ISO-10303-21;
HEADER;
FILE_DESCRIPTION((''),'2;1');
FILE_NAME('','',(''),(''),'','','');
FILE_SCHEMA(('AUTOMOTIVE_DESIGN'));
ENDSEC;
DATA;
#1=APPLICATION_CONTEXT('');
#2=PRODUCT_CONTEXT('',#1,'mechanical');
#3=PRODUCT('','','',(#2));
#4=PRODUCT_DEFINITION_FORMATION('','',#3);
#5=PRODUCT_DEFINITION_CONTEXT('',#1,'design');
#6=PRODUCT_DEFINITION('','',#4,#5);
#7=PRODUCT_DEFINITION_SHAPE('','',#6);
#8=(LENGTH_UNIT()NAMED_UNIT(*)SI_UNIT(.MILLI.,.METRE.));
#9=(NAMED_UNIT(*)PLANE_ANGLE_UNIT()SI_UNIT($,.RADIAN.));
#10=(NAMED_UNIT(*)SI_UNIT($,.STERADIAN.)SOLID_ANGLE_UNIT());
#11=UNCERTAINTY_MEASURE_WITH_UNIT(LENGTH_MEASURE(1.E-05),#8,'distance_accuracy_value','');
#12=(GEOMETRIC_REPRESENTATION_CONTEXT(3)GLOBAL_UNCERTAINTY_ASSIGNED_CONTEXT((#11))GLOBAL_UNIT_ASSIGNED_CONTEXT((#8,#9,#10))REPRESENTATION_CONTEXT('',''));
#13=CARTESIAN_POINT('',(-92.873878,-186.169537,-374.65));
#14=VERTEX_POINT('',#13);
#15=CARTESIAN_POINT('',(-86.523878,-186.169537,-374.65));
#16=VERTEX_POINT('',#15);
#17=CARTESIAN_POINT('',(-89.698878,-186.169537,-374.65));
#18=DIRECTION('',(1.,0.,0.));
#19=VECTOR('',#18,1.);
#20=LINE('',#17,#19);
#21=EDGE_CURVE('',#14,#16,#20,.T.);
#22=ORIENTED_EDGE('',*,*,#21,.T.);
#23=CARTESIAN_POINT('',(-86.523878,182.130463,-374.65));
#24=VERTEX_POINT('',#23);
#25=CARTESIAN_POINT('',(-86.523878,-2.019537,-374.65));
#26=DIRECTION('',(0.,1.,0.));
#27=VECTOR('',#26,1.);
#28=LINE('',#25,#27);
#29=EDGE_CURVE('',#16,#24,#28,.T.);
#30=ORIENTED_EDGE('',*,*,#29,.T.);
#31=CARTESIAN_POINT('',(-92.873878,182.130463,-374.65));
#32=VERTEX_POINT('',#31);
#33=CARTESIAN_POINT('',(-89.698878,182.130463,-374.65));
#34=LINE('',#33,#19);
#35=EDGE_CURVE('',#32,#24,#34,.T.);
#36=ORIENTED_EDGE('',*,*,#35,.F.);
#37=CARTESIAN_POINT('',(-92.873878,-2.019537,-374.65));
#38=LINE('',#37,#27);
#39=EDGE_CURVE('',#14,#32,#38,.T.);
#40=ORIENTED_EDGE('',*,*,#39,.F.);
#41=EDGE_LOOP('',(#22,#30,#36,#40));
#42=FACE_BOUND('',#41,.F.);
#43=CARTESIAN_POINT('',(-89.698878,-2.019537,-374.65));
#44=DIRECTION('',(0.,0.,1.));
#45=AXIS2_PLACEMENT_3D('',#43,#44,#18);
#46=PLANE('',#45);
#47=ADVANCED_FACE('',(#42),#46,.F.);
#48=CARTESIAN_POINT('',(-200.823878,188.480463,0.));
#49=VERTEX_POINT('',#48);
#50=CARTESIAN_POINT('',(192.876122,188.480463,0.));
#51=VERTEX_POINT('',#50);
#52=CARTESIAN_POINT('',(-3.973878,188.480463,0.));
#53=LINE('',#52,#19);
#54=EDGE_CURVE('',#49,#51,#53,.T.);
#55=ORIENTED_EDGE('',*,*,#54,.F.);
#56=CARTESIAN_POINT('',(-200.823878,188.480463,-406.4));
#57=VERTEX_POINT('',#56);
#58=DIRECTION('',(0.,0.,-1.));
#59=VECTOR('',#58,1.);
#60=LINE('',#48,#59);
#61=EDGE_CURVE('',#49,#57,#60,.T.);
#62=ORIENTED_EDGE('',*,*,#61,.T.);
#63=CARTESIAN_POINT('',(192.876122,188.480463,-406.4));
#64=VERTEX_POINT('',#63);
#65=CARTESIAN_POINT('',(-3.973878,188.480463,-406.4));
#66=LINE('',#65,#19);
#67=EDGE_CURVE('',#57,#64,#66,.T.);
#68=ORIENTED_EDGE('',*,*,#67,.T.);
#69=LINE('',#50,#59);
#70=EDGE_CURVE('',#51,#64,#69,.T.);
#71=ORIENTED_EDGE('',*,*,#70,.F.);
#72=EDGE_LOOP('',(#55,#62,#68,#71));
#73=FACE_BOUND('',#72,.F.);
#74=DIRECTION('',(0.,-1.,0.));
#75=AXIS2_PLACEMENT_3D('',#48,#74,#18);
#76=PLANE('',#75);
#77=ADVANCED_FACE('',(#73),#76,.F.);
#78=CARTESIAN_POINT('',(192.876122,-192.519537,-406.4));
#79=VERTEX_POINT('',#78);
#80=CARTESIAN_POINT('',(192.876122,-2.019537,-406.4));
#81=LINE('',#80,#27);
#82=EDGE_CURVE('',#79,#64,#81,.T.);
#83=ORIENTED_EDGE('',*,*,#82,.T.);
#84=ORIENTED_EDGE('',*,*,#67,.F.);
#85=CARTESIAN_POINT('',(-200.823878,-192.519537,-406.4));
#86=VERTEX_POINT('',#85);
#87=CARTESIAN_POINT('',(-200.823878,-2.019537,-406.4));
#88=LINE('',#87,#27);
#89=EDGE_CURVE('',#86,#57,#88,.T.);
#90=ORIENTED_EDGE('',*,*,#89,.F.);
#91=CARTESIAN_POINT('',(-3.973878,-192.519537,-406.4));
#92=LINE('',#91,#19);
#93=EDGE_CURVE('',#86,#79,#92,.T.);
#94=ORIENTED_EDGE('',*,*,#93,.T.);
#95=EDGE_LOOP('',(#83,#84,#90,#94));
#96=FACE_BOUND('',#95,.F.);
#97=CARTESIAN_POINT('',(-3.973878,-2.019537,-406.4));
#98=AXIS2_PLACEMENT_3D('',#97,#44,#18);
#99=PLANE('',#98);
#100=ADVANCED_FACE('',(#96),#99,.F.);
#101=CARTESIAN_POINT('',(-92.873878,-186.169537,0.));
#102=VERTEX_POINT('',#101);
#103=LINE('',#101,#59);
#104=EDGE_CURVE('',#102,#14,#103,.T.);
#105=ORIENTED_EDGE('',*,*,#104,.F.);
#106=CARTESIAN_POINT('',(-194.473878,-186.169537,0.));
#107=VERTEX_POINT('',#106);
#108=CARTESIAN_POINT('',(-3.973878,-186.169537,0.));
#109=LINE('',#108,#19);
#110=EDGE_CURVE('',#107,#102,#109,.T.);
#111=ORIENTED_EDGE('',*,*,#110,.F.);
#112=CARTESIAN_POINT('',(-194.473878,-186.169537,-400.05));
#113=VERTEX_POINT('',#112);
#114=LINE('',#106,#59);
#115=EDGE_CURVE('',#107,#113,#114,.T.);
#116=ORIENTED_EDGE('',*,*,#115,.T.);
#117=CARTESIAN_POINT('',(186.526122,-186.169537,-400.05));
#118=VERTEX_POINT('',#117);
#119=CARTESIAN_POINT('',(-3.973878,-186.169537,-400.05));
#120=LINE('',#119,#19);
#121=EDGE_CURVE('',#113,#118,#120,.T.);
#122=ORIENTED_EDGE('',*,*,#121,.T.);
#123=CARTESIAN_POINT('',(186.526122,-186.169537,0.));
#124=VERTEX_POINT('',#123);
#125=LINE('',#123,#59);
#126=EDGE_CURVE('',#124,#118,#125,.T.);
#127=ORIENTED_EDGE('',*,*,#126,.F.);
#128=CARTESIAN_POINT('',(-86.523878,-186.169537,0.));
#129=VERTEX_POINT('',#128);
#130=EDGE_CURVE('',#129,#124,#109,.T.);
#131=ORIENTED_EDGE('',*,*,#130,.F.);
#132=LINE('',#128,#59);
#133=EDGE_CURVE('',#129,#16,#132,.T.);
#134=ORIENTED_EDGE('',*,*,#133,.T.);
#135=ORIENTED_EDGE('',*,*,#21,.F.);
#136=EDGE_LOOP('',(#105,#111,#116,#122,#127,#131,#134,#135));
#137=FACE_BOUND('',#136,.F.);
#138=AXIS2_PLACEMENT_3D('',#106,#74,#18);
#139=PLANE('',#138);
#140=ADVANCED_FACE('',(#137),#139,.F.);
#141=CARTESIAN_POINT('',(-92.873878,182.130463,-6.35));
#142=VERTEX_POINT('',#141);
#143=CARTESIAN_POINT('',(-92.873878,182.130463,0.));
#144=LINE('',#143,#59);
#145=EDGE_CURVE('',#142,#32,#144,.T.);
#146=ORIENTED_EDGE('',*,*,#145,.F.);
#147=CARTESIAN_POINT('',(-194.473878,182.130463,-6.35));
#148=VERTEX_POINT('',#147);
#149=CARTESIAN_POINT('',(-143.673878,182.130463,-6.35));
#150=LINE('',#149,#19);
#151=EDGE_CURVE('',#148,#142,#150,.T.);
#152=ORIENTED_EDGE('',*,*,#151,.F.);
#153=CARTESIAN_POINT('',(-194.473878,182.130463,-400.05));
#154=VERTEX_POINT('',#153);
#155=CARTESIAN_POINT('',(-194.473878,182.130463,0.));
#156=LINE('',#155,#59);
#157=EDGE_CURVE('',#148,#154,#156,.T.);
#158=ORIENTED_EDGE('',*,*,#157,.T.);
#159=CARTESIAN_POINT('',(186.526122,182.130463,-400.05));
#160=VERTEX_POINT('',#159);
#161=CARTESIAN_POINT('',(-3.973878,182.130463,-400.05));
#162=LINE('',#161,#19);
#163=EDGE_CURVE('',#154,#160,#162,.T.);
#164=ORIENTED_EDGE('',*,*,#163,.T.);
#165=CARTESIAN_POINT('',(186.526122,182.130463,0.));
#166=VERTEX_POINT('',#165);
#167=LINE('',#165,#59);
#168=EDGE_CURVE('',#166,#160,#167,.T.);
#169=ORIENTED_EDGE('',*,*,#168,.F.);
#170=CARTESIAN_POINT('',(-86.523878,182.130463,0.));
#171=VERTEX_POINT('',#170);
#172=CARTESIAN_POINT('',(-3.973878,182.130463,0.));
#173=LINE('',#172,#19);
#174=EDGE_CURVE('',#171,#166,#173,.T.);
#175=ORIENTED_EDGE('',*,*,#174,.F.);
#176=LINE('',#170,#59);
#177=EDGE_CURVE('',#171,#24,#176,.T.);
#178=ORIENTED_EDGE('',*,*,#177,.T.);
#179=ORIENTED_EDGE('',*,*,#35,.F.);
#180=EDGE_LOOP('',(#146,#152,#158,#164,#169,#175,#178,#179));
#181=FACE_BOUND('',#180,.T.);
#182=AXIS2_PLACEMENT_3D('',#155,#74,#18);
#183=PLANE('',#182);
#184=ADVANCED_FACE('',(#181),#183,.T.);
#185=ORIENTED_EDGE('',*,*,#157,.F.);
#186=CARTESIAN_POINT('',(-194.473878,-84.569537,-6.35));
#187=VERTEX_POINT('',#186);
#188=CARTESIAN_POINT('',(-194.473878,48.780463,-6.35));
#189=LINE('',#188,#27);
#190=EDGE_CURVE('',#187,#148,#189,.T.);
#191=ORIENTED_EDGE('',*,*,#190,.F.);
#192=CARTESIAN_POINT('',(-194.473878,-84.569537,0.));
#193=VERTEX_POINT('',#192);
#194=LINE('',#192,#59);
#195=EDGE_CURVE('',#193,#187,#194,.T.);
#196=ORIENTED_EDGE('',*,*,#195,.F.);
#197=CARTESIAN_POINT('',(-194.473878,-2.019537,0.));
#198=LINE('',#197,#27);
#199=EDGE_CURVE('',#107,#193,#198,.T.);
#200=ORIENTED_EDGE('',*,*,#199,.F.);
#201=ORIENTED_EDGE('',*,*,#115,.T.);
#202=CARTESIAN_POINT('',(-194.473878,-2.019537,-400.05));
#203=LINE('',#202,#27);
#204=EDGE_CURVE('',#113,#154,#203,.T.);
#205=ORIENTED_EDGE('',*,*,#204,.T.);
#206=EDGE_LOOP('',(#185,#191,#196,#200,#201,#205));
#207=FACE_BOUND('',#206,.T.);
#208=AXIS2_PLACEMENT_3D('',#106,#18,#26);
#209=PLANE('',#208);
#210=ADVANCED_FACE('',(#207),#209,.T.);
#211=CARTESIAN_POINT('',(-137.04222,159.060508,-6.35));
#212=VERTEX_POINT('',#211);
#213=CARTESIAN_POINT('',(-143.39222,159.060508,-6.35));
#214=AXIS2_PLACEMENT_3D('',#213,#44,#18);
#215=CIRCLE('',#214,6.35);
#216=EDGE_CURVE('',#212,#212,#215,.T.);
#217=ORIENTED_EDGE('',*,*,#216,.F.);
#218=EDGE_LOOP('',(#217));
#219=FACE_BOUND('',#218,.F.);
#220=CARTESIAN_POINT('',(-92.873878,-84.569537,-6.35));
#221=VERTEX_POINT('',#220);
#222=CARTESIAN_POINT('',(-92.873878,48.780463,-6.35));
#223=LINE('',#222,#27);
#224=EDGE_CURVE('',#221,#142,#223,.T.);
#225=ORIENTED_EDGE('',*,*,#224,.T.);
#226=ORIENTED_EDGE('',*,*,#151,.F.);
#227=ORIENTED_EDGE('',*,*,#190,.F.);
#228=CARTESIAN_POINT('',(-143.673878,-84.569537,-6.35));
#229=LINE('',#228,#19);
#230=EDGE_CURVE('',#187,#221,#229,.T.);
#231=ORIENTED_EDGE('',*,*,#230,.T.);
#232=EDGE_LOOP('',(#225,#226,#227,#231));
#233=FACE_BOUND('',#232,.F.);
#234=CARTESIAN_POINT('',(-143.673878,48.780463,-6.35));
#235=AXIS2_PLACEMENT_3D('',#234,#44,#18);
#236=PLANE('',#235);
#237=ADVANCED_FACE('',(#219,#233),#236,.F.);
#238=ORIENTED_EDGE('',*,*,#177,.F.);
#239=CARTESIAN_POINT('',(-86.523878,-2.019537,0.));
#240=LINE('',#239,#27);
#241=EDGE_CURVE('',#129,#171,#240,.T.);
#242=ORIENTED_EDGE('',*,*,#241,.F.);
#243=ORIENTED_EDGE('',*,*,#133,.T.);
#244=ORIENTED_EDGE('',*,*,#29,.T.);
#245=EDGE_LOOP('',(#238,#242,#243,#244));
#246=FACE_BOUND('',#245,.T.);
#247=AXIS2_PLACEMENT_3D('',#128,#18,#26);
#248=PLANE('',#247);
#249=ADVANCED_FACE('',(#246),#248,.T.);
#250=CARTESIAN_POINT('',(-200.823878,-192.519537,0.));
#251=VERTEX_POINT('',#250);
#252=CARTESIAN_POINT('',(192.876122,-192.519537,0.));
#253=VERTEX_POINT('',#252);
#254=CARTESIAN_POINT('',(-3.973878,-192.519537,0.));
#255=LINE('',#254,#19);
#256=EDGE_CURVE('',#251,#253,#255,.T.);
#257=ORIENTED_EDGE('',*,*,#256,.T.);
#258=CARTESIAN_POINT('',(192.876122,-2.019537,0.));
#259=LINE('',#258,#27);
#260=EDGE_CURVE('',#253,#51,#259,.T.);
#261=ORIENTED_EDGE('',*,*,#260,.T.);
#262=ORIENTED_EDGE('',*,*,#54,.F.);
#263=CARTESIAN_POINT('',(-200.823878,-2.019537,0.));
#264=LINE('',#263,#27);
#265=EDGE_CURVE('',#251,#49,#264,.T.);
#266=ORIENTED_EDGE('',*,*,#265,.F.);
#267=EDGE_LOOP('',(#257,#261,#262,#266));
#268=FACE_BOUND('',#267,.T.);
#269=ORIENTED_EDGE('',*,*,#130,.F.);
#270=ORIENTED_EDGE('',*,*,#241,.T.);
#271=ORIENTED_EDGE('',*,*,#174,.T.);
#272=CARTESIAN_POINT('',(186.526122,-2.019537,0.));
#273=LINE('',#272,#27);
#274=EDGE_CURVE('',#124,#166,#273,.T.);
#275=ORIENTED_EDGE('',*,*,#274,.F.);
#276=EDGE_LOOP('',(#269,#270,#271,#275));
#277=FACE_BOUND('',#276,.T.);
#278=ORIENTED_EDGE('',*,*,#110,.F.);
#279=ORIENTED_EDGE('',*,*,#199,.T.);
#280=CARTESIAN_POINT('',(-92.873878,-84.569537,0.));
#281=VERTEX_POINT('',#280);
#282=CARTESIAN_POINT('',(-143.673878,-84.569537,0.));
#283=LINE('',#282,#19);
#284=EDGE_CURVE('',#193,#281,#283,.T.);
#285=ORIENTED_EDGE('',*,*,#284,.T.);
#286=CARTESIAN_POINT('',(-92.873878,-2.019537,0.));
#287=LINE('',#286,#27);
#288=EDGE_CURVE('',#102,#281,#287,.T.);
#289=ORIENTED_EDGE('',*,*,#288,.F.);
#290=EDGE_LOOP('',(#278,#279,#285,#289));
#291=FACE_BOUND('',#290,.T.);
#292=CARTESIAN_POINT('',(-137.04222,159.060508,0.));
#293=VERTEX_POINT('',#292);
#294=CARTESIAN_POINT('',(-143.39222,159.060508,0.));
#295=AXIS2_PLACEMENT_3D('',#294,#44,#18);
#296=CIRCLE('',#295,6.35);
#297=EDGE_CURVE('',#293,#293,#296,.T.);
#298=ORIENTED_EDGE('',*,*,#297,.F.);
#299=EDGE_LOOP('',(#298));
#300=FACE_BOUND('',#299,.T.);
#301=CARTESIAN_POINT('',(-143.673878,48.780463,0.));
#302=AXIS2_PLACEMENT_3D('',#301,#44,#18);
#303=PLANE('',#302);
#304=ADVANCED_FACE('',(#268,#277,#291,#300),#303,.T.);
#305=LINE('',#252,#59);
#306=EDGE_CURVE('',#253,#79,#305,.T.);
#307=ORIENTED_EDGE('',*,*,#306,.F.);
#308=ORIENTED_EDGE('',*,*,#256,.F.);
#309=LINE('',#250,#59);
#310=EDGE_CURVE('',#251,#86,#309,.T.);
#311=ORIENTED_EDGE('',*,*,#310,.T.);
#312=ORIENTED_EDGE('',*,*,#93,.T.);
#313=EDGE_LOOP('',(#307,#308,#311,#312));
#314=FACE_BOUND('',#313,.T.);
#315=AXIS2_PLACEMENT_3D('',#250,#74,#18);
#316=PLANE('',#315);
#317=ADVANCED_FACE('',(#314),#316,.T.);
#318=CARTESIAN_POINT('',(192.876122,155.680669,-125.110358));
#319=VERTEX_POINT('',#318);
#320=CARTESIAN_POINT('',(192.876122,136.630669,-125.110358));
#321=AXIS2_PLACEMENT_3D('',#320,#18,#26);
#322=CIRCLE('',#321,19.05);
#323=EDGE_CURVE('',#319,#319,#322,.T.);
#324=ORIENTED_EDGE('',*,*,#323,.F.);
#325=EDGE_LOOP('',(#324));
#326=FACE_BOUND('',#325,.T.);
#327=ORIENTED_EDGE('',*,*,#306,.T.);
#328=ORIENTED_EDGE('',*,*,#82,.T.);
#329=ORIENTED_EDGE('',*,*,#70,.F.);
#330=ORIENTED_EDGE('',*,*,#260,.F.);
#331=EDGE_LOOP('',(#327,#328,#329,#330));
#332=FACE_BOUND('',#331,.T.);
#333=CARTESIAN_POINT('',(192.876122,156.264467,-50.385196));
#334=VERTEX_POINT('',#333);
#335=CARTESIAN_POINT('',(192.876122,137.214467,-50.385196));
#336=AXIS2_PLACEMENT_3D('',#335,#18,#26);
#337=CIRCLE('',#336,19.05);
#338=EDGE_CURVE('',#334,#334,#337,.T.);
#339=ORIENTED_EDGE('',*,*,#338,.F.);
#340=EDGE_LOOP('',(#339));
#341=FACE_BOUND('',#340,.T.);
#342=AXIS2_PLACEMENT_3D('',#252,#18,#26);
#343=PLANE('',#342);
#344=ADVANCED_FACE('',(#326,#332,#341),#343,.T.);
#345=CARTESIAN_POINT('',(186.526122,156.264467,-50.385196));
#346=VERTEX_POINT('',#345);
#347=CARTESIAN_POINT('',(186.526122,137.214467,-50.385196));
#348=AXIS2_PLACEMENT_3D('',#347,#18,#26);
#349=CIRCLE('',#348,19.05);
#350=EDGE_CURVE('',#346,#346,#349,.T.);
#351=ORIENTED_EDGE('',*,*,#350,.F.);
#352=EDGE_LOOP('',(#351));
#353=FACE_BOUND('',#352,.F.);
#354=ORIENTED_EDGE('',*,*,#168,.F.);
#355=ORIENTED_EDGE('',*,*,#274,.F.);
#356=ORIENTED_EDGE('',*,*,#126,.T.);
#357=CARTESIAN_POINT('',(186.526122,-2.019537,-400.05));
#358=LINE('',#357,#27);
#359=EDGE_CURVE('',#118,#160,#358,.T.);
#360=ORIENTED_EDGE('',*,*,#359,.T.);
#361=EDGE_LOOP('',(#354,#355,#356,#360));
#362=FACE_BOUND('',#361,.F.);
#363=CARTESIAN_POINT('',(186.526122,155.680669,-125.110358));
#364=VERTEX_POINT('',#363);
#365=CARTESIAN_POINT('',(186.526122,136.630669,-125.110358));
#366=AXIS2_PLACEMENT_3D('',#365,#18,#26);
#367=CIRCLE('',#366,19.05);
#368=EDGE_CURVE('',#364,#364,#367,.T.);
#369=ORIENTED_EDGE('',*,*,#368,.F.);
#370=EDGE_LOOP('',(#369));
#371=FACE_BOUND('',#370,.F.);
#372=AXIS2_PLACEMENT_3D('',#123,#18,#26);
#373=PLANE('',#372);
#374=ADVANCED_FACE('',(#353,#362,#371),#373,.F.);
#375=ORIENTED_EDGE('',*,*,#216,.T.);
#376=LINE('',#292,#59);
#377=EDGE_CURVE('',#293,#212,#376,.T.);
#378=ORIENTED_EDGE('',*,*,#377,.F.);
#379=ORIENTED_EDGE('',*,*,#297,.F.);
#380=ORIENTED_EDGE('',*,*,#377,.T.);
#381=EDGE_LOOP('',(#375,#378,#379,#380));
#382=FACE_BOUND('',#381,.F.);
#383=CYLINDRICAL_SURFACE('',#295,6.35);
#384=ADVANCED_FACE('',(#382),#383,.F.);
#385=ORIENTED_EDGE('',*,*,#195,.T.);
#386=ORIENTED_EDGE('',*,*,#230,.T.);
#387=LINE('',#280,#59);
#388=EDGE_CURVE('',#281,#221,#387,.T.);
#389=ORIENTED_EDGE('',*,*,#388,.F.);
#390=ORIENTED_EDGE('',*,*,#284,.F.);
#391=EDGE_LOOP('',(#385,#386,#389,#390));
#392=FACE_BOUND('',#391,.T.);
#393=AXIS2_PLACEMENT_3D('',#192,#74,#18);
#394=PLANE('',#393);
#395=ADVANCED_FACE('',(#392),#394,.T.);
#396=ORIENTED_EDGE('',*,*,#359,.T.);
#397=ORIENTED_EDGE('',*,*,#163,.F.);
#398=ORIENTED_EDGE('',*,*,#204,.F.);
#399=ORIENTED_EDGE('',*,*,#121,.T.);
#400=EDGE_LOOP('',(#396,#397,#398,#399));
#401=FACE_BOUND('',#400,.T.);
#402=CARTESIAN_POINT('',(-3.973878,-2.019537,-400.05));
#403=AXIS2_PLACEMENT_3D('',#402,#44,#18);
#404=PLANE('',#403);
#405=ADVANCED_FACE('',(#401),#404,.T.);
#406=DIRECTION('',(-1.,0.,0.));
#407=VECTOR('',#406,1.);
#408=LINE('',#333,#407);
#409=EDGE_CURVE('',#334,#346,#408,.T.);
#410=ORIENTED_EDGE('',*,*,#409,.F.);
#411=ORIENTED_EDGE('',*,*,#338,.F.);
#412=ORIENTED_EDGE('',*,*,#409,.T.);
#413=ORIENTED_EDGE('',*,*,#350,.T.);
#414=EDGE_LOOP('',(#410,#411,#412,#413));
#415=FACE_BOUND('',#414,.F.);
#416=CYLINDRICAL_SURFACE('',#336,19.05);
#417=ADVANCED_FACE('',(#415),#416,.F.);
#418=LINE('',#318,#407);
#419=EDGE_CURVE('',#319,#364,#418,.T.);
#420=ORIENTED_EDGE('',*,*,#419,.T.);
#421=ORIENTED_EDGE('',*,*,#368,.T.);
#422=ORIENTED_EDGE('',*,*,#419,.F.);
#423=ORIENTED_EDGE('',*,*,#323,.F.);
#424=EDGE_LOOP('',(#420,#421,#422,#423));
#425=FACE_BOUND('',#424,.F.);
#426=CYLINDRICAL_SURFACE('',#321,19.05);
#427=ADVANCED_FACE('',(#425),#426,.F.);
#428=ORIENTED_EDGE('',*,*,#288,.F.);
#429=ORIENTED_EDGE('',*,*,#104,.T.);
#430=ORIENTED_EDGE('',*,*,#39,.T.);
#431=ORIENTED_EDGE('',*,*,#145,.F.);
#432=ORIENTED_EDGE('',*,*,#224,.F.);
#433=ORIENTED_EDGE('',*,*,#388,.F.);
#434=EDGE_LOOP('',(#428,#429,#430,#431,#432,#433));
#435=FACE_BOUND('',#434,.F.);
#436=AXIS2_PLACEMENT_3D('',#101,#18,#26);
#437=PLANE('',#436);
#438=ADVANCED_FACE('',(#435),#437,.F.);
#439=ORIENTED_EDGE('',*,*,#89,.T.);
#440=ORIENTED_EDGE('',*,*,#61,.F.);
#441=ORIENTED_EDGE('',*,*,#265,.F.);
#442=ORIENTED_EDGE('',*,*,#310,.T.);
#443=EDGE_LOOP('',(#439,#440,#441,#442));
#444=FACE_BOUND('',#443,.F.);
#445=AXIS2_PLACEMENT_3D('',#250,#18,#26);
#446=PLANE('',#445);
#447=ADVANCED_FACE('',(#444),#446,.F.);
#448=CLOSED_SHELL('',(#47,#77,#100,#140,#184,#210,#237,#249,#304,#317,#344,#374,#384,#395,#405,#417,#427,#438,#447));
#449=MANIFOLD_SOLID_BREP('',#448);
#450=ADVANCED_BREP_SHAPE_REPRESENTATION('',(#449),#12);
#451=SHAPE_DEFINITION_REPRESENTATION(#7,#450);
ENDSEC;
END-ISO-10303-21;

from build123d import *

# Parameters (mm, degrees)
F0_W      = 393.7
F0_H      = 381
F1_DEPTH  = 406.4
F2_W      = 381
F2_H      = 368.3
F3_DEPTH  = 400.05
F4_W      = 6.35
F4_H      = 368.3
F5_DEPTH  = 374.65
F6_W      = 101.6
F6_H      = 266.7
F7_DEPTH  = 6.35
F8_R      = 6.35
F9_DEPTH  = 6.35
F10_R     = 19.05
F11_DEPTH = 6.35
F12_R     = 19.05
F13_DEPTH = 6.35


with BuildPart() as f1:
    # F0 (on Top) → F1 (new body)
    with BuildSketch(Plane.XY):
        with Locations((-3.9738783777, -2.0195368604)):
            Rectangle(F0_W, F0_H)
    extrude(amount=-F1_DEPTH)

    # F2 (on face) → F3 (cut)
    with BuildSketch(Plane.XY):
        with Locations((-3.9738783777, -2.0195368604)):
            Rectangle(F2_W, F2_H)
    extrude(amount=-F3_DEPTH, mode=Mode.SUBTRACT)

    # F4 (on face) → F5 (join)
    with BuildSketch(Plane.XY):
        with Locations((-89.6988783777, -2.0195368604)):
            Rectangle(F4_W, F4_H)
    extrude(amount=-F5_DEPTH)

    # F6 (on face) → F7 (join)
    with BuildSketch(Plane.XY):
        with Locations((-143.6738783777, 48.7804631396)):
            Rectangle(F6_W, F6_H)
    extrude(amount=-F7_DEPTH)

    # F8 (on face) → F9 (cut)
    with BuildSketch(Plane.XY):
        with Locations((-143.3922201395, 159.0605080128)):
            Circle(F8_R)
    extrude(amount=-F9_DEPTH, mode=Mode.SUBTRACT)

    # F10 (on face) → F11 (cut)
    with BuildSketch(Plane.YZ.offset(192.8761216223)):
        with Locations((136.6306692362, -125.1103579998)):
            Circle(F10_R)
    extrude(amount=-F11_DEPTH, mode=Mode.SUBTRACT)

    # F12 (on face) → F13 (cut)
    with BuildSketch(Plane.YZ.offset(192.8761216223)):
        with Locations((137.2144669294, -50.3851957619)):
            Circle(F12_R)
    extrude(amount=-F13_DEPTH, mode=Mode.SUBTRACT)


solid = f1.part
